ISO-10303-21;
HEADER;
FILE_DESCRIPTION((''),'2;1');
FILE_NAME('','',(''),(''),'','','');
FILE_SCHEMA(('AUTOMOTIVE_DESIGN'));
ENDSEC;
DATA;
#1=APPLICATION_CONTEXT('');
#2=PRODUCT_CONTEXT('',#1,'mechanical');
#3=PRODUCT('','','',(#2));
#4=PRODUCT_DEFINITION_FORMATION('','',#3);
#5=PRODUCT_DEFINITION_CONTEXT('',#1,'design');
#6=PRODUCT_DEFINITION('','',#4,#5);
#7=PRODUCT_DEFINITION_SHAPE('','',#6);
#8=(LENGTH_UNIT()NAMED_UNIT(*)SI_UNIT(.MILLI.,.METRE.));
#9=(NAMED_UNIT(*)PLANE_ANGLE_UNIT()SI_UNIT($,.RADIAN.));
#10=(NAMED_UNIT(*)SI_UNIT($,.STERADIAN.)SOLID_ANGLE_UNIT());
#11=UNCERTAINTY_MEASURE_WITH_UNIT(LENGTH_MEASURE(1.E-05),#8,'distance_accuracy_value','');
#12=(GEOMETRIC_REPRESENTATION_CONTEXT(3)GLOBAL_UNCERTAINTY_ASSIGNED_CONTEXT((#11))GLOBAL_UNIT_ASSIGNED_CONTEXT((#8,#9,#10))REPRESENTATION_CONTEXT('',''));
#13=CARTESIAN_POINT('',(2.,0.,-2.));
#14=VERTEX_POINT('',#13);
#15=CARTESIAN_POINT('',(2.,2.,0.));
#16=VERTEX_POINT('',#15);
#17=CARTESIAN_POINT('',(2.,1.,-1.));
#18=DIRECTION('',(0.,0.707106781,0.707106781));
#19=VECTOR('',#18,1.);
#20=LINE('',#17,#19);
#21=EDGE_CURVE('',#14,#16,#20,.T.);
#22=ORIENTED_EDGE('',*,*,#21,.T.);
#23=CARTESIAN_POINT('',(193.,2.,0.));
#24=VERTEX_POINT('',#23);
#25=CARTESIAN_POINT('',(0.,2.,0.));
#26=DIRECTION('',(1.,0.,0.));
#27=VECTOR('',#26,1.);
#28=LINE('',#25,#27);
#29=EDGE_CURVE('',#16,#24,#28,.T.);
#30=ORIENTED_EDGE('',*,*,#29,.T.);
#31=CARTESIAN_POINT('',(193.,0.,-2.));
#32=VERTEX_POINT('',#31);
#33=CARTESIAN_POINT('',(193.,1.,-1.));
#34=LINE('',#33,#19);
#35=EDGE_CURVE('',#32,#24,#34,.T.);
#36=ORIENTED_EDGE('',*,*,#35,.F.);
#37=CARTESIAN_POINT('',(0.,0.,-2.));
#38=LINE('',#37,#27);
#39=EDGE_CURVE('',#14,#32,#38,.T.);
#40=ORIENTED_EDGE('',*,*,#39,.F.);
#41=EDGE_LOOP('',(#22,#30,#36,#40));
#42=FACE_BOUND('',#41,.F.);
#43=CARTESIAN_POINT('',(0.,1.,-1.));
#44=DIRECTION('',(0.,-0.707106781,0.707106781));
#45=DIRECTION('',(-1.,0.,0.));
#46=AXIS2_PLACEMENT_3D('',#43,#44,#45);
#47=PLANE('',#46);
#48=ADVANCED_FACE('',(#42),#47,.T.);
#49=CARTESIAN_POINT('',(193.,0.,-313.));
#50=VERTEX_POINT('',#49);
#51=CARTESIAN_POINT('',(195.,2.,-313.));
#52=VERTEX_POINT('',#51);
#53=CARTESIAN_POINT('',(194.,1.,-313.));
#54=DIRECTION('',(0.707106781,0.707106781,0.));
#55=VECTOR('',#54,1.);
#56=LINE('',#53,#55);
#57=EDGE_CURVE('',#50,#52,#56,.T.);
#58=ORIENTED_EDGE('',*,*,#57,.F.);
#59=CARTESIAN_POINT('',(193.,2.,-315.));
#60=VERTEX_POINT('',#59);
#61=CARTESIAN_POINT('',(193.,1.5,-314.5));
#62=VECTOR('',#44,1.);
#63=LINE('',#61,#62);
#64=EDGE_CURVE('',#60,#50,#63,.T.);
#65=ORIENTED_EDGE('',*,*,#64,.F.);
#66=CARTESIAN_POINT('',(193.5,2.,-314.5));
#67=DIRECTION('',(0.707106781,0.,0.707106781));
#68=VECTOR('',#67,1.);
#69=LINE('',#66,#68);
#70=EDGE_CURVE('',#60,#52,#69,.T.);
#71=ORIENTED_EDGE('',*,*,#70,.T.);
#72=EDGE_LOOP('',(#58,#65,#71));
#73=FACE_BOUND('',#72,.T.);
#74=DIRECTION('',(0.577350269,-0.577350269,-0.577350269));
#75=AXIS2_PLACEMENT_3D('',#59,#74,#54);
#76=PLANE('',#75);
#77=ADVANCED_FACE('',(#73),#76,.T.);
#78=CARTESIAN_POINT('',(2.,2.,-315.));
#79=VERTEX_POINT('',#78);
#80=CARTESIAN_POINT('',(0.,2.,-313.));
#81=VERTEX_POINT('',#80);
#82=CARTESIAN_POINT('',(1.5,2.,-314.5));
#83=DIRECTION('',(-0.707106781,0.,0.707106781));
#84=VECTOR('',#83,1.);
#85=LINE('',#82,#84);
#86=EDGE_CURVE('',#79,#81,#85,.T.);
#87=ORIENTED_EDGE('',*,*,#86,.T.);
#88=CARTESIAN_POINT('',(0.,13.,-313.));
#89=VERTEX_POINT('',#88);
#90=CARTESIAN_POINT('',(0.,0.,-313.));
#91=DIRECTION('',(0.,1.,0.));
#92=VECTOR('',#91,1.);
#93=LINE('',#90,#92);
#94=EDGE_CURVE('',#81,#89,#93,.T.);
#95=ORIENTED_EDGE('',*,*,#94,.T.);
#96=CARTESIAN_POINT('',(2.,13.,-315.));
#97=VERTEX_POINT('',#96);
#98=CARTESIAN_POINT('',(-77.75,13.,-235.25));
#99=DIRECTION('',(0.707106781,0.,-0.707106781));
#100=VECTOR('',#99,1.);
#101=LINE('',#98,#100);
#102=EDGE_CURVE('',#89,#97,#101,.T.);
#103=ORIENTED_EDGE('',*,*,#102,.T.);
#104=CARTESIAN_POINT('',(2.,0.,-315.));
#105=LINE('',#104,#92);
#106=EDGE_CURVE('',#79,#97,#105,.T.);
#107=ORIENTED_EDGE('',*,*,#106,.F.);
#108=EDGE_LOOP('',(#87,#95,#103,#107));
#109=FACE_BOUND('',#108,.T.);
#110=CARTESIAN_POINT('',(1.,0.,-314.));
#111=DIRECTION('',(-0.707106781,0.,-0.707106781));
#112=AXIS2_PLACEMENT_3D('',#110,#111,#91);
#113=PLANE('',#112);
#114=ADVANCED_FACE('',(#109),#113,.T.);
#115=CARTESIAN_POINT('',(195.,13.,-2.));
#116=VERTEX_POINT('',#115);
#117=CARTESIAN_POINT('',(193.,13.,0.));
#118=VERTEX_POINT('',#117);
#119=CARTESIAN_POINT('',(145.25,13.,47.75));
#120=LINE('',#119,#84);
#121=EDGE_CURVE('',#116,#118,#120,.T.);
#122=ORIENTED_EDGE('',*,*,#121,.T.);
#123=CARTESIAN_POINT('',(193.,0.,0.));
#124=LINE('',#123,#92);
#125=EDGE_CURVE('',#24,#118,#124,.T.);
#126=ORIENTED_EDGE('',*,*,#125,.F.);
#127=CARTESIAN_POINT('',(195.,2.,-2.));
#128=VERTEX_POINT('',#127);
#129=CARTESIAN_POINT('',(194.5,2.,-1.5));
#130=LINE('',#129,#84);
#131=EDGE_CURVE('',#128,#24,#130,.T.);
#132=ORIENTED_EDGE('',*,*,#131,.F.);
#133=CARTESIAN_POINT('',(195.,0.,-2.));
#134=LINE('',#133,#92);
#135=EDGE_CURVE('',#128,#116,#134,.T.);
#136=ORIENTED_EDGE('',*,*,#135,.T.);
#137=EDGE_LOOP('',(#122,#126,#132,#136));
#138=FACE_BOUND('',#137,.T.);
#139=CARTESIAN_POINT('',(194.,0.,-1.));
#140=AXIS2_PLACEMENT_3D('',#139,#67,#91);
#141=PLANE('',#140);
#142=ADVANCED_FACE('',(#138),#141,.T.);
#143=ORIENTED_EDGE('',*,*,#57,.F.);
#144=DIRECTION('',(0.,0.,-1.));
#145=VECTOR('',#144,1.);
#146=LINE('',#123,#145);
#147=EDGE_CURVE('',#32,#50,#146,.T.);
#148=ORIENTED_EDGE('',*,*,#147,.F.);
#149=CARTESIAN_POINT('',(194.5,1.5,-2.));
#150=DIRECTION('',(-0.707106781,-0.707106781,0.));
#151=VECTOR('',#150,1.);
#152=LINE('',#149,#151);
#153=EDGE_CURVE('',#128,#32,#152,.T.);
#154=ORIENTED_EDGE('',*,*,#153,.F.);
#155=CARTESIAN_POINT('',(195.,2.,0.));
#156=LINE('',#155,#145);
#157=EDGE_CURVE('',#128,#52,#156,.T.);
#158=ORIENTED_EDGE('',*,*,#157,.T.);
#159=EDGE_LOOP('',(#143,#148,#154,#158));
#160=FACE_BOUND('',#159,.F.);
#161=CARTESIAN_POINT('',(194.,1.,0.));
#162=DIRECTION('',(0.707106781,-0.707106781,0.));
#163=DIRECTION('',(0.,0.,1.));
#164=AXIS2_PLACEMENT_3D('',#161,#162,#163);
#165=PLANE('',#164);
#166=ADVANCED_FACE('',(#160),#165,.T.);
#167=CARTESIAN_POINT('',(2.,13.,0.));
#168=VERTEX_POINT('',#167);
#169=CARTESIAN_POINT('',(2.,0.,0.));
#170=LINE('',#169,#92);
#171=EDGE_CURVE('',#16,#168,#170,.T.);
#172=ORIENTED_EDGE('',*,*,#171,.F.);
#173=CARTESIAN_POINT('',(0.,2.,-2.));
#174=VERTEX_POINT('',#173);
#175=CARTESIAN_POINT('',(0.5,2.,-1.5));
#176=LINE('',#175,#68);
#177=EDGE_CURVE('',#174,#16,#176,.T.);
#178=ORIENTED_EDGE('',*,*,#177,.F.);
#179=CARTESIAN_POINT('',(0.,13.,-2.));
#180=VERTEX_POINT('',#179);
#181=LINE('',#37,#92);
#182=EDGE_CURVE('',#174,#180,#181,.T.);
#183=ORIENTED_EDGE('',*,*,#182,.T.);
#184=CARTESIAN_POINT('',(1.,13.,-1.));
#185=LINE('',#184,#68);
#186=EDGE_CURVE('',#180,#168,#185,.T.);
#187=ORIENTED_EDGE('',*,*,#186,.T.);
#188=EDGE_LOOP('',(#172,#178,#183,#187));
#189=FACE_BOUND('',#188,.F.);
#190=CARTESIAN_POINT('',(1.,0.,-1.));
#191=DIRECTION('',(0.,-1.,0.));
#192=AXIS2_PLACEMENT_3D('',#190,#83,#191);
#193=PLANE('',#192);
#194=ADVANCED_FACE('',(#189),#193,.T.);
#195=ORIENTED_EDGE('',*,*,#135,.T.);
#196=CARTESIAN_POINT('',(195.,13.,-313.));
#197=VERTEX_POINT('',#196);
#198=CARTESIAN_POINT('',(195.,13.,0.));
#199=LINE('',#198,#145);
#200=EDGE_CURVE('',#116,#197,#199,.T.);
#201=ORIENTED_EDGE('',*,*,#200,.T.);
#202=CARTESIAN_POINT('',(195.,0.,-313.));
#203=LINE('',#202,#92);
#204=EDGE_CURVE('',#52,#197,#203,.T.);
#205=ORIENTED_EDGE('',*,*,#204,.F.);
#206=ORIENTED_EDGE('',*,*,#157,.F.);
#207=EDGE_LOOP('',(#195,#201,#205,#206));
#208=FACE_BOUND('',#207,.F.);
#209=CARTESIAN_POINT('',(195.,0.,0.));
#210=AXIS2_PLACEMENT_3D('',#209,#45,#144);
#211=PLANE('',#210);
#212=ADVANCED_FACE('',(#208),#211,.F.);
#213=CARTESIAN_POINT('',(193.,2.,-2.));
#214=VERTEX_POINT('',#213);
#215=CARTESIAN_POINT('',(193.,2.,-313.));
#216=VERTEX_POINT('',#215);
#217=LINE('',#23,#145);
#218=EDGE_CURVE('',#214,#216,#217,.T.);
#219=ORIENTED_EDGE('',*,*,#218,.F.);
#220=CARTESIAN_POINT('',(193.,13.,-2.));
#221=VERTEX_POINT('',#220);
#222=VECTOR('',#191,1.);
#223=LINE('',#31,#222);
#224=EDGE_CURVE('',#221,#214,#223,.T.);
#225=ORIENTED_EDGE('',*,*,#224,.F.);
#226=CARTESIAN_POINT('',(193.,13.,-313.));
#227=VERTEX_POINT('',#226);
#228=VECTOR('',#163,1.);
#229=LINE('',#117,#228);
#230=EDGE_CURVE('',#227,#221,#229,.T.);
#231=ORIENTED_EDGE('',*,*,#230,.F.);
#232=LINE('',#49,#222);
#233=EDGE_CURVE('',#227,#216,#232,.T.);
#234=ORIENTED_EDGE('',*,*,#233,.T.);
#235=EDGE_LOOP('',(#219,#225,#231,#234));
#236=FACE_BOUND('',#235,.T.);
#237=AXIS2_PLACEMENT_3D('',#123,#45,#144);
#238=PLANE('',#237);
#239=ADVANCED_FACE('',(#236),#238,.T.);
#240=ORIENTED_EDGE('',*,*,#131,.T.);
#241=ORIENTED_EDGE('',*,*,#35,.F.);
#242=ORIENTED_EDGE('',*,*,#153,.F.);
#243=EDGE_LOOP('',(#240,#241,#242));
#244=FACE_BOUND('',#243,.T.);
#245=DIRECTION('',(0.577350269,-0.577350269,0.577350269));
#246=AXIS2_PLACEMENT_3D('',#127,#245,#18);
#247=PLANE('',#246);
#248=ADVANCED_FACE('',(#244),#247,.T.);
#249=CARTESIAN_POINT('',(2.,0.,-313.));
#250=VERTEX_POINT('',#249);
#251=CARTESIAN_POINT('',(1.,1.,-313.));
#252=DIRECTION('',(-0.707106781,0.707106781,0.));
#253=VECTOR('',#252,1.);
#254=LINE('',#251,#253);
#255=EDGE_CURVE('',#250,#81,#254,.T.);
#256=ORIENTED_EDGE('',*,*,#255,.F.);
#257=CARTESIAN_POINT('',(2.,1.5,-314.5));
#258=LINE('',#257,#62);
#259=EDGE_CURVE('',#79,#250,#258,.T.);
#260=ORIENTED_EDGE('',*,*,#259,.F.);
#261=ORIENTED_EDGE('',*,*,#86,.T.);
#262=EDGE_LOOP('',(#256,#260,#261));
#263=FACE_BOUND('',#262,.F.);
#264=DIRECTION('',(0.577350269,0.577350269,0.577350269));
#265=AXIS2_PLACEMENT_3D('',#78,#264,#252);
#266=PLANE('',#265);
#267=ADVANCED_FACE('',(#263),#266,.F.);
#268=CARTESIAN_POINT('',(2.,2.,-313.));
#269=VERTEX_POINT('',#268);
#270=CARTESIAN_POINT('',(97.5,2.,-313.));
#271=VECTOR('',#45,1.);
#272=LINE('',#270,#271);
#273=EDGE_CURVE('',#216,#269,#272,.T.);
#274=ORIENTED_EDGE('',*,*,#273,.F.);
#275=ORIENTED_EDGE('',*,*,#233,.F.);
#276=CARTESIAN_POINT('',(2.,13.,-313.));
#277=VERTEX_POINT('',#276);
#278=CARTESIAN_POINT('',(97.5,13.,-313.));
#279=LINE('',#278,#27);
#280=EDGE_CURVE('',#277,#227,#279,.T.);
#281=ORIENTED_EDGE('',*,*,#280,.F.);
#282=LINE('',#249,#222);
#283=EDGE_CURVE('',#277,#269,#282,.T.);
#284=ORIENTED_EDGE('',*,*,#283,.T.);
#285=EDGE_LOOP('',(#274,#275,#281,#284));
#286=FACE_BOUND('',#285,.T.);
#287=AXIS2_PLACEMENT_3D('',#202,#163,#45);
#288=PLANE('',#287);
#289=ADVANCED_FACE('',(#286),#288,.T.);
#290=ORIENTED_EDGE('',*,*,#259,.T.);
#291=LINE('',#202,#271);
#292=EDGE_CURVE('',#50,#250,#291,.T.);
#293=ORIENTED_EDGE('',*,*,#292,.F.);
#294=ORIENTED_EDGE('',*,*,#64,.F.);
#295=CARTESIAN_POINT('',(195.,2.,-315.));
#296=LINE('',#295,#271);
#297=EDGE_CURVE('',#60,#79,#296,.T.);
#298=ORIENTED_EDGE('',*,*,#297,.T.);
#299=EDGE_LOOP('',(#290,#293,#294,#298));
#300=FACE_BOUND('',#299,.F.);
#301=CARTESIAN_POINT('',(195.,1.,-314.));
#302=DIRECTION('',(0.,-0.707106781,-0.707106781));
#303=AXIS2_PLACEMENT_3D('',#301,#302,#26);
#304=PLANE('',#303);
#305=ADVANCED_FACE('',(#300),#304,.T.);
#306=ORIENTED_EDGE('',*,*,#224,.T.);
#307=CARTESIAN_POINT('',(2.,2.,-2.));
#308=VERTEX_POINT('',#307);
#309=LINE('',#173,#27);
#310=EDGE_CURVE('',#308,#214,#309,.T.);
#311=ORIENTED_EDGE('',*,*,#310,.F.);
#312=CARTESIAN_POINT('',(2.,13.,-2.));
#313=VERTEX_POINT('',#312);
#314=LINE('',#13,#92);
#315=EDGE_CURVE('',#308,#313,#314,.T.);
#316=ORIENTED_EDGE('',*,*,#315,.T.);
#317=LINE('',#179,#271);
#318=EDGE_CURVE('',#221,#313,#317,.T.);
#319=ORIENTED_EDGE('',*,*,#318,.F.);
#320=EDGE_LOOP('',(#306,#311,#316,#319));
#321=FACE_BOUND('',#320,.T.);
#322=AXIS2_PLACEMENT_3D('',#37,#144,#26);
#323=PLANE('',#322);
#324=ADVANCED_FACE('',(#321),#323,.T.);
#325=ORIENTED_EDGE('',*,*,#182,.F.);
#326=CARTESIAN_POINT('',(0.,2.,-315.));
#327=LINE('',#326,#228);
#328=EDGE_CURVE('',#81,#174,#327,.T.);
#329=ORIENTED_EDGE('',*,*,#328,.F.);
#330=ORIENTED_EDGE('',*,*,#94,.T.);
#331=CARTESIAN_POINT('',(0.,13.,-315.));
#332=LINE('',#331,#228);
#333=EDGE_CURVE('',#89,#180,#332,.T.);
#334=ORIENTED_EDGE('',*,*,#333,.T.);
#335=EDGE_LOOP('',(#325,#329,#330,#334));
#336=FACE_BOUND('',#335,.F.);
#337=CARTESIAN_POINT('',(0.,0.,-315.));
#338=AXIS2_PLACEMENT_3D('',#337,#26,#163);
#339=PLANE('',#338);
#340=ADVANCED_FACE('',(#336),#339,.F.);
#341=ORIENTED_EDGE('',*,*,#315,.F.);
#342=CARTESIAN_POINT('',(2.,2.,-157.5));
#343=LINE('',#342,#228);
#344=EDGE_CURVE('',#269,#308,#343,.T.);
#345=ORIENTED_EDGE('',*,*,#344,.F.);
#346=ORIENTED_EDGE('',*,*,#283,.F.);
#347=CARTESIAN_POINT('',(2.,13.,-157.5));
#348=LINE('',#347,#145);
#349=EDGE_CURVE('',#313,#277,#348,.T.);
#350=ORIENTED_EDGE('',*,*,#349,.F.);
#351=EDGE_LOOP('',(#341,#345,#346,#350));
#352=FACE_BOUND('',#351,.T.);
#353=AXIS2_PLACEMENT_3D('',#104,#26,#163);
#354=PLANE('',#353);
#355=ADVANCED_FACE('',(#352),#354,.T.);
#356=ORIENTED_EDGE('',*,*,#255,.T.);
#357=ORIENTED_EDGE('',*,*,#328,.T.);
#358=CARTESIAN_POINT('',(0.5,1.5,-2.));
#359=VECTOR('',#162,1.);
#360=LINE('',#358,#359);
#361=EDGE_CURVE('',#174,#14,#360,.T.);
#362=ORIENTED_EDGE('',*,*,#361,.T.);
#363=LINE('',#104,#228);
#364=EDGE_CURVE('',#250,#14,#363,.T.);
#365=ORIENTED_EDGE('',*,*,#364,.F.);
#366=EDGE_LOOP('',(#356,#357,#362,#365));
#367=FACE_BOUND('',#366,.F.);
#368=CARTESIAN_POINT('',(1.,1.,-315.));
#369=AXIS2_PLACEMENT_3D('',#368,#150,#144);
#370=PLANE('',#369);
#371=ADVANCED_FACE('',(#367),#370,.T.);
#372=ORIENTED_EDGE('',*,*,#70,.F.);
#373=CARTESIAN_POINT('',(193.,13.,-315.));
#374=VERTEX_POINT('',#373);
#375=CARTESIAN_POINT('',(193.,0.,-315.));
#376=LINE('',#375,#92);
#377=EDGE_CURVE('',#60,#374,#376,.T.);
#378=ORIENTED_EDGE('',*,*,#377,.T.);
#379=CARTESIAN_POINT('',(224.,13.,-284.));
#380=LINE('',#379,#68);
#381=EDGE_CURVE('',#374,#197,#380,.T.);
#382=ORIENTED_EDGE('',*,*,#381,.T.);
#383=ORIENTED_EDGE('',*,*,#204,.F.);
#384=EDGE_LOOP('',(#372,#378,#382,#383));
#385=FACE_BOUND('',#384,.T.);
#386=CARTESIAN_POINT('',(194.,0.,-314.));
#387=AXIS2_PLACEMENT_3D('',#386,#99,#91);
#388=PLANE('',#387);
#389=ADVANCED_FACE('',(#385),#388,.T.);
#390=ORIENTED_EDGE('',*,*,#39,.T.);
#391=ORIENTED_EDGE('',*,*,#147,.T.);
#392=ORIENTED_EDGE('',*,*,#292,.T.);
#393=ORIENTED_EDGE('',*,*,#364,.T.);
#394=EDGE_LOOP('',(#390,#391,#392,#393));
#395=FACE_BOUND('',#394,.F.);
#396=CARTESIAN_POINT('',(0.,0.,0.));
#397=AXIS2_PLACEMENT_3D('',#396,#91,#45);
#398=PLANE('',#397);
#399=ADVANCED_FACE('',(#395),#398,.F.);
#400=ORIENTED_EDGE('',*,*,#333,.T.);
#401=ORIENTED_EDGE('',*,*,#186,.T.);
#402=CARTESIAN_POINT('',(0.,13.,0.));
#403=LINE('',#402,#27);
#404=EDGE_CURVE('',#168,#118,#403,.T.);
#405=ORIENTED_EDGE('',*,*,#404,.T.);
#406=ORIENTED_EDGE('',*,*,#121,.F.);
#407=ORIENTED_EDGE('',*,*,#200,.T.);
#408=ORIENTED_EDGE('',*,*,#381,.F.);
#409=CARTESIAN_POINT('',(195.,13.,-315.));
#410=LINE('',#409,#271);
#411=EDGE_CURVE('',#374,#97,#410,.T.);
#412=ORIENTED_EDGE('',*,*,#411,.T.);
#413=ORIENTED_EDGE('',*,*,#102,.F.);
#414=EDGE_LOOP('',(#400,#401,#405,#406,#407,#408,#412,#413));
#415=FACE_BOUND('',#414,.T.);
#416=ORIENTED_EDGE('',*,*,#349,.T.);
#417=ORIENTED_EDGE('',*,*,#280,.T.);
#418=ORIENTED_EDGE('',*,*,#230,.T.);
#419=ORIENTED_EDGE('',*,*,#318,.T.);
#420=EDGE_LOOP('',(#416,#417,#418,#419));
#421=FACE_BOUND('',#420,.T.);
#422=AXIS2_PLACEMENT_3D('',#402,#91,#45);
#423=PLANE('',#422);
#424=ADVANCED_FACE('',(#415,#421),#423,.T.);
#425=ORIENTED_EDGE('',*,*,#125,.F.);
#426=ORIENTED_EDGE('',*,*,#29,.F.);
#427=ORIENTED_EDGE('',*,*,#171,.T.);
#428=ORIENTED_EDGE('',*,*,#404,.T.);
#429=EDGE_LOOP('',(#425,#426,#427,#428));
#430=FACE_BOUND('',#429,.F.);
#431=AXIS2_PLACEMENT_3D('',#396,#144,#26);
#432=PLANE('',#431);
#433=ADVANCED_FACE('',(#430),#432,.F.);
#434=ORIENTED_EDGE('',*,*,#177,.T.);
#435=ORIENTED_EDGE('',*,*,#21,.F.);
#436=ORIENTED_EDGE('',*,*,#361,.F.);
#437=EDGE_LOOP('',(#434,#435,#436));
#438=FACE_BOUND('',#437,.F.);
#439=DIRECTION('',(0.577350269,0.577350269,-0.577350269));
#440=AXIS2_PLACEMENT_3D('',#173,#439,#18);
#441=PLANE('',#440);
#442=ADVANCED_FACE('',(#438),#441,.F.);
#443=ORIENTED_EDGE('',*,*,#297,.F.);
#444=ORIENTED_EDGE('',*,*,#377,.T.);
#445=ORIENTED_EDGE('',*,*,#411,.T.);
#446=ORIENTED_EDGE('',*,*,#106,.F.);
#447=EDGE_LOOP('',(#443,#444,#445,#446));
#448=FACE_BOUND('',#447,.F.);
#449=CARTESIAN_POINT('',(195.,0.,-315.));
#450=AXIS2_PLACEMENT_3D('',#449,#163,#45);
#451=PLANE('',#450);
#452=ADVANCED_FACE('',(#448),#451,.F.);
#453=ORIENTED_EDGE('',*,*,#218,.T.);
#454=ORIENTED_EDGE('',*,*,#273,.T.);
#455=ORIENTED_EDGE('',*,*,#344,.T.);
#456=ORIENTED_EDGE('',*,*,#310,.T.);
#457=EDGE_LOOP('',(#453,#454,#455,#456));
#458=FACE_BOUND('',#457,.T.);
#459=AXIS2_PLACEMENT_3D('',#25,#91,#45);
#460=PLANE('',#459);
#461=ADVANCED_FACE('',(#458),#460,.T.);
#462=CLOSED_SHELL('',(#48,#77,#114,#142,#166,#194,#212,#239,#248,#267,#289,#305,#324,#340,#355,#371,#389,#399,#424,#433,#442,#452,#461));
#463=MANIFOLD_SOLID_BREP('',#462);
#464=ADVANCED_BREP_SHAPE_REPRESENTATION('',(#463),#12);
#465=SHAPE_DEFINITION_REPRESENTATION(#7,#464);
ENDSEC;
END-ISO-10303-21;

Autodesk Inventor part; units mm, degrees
ref_plane "YZ Plane" through (0, 0, 0) normal (1, 0, 0) x (0, 1, 0)
ref_plane "XZ Plane" through (0, 0, 0) normal (0, 1, 0) x (-1, 0, 0)
ref_plane "XY Plane" through (0, 0, 0) normal (0, 0, 1) x (1, 0, 0)
sketch "草图1" plane through (0, 0, 0) normal (0, 1, 0) x (-1, 0, 0)
  line L0 (0, 0) -> (-195, 0)
  line L1 (-195, 0) -> (-195, -315)
  line L2 (-195, -315) -> (0, -315)
  line L3 (0, -315) -> (0, 0)
  dimension "d0" = 195
  dimension "d1" = 315
extrude "拉伸1" add sketch "草图1" along normal blind 13
shell "抽壳1" thickness 2 removed faces 1 at (65, 13, -210)
chamfer "倒角1" distance 2 angle 45 8 edges at (97.5, 0, 0) (0, 0, -157.5) (195, 0, -157.5) (97.5, 0, -315) (195, 6.5, -315) (195, 6.5, 0) (0, 6.5, 0) (0, 6.5, -315)
properties part number "test"
